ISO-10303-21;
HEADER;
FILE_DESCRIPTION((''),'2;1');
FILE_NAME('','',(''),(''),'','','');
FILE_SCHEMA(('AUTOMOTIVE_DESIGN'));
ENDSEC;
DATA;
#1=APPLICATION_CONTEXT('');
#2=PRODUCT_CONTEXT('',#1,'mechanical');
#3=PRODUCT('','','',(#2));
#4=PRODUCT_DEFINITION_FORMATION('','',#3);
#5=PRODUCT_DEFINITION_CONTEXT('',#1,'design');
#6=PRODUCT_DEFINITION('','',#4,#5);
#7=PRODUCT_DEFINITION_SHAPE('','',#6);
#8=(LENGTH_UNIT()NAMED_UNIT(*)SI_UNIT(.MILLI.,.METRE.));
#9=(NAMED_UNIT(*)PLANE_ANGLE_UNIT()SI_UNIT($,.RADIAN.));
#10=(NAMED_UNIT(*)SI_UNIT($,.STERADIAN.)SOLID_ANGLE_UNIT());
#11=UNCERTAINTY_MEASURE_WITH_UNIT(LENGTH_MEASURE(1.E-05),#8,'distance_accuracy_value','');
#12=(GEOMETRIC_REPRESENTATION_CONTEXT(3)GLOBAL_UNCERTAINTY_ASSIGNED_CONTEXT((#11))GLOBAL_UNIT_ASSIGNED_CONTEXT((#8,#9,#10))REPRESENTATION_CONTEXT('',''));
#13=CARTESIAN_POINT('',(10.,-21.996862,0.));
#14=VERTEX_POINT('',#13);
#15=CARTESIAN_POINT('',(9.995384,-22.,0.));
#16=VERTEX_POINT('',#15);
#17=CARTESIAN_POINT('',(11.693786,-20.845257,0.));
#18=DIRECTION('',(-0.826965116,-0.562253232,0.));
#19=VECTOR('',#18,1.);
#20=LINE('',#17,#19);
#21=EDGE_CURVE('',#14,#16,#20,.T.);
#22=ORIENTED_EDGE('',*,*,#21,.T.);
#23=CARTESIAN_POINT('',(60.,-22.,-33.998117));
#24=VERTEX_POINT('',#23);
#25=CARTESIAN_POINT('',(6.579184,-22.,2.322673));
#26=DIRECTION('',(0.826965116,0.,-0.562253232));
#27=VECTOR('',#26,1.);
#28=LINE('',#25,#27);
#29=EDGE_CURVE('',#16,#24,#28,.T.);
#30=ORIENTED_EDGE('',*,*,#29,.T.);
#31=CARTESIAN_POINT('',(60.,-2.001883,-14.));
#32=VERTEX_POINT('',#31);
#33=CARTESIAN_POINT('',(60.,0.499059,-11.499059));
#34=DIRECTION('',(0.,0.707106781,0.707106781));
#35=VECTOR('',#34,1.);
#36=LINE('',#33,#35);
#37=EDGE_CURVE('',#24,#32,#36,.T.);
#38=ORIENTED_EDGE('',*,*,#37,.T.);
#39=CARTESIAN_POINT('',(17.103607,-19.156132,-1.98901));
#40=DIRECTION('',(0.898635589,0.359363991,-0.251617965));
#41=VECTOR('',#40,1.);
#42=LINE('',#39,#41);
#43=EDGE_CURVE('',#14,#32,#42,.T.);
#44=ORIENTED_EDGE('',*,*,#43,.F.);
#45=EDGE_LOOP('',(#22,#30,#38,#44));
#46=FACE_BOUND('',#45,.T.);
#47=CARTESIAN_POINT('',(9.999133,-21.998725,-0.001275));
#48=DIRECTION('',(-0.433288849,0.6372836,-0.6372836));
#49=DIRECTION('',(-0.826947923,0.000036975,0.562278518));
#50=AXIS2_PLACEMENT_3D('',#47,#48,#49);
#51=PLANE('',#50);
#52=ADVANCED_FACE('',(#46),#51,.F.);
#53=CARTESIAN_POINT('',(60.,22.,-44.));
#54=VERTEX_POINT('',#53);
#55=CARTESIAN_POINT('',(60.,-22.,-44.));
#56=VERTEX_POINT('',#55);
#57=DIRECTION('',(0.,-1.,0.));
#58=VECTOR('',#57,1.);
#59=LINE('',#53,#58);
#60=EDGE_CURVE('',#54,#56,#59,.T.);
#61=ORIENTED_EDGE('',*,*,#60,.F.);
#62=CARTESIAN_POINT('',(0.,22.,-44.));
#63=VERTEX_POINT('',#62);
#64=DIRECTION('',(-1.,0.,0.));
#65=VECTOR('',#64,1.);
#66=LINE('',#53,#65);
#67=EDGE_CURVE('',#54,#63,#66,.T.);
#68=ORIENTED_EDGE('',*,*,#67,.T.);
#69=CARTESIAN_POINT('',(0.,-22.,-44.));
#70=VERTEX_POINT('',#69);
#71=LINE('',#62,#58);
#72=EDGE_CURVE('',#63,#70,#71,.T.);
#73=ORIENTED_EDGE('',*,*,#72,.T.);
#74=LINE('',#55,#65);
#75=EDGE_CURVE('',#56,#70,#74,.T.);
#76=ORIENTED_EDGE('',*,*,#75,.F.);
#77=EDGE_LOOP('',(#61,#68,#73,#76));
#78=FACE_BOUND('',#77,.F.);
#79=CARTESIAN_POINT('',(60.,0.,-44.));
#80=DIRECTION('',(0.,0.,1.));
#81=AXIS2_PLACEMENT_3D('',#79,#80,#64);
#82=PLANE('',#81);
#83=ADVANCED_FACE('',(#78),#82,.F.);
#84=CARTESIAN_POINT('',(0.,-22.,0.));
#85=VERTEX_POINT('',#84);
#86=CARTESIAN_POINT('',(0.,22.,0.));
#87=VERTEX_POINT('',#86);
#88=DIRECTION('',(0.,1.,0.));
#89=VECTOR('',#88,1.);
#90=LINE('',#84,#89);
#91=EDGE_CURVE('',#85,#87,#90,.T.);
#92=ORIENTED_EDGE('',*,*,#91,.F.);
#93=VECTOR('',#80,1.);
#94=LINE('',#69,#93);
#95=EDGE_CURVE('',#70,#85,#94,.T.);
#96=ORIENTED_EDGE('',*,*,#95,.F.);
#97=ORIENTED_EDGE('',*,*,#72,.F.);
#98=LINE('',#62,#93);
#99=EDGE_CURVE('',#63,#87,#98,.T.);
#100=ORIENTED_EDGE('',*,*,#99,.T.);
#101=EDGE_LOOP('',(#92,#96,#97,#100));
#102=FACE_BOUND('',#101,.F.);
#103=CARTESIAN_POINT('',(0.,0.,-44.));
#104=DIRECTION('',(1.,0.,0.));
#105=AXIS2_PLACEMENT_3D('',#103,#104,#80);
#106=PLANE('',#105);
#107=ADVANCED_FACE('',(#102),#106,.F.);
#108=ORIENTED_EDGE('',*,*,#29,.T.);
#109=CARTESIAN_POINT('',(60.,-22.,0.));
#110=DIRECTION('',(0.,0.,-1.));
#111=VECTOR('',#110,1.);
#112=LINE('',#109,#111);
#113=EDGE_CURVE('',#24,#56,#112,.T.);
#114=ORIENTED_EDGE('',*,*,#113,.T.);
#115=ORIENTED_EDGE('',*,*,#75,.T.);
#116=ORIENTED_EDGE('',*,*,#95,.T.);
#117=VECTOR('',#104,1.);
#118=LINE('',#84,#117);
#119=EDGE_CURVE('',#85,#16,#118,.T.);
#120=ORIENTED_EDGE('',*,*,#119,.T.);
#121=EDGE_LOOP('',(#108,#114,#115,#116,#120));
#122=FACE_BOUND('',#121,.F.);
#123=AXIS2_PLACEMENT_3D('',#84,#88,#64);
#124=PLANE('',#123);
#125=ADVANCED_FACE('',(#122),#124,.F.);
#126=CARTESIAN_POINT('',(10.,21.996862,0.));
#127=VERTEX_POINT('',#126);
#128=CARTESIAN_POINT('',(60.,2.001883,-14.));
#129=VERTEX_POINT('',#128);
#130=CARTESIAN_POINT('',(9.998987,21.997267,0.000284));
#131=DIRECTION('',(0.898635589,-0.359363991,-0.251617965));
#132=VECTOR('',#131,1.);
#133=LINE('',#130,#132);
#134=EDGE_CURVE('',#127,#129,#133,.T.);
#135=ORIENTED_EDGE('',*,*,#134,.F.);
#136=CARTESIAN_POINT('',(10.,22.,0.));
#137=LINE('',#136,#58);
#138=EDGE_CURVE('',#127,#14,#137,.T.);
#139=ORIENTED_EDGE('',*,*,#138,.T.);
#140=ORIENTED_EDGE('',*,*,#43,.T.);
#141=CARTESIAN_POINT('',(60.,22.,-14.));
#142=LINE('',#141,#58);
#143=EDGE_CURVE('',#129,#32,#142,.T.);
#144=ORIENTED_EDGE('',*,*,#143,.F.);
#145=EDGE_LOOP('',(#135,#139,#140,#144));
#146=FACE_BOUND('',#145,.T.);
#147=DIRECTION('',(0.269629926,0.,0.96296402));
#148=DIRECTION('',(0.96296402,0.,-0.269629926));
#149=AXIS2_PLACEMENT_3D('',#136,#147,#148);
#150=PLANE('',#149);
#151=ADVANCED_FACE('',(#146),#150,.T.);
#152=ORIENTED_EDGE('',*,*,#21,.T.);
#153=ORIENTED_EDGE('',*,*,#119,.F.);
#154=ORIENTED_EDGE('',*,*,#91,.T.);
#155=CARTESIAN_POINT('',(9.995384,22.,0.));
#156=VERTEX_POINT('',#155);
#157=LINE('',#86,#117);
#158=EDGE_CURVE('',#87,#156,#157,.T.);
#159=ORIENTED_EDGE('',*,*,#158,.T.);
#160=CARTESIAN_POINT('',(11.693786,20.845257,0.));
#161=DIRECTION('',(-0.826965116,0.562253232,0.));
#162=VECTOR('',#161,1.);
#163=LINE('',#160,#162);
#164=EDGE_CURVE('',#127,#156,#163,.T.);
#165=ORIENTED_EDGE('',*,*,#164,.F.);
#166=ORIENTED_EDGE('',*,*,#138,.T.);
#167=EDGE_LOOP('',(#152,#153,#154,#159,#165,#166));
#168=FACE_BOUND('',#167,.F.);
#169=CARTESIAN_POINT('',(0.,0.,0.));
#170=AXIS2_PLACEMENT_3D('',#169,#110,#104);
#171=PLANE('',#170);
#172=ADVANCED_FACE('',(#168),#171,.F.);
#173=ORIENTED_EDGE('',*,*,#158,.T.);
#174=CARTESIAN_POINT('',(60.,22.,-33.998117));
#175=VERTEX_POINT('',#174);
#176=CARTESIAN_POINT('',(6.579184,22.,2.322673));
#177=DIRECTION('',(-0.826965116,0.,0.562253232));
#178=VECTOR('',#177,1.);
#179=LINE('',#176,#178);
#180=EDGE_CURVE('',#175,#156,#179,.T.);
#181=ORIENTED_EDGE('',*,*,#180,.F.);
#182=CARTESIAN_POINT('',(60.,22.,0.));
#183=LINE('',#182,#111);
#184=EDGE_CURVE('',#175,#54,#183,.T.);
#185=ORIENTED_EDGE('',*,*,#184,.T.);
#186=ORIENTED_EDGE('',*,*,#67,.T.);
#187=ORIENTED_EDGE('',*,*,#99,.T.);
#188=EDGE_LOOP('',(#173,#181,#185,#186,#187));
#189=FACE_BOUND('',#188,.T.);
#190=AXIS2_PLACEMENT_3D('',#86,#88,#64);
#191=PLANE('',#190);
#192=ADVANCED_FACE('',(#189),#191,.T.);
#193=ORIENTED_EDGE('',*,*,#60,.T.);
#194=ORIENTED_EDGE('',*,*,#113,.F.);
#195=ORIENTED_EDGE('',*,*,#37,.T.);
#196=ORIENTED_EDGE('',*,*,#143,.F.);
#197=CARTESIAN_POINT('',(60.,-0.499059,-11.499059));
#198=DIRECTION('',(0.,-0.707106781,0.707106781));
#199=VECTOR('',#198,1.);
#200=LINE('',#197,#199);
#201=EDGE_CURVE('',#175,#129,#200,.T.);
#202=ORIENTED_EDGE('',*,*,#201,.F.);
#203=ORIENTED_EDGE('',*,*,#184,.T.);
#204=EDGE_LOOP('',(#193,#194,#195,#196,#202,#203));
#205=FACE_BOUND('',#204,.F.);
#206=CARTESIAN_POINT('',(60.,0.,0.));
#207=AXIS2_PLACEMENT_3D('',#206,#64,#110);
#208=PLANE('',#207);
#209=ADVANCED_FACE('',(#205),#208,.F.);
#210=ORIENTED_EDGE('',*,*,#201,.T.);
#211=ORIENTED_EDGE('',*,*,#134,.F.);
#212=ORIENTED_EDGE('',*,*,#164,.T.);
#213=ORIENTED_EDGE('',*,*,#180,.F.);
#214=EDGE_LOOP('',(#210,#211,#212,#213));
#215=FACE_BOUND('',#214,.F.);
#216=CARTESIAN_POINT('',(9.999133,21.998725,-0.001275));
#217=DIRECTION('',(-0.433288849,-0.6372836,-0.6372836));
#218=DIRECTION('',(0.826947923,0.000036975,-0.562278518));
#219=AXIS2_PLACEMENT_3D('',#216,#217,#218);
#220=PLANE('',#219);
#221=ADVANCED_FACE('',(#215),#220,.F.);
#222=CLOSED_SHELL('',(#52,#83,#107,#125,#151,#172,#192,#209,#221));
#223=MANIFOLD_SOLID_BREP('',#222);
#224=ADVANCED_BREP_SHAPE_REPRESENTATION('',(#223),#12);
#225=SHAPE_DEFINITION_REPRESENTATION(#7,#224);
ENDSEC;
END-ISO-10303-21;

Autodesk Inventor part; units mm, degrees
ref_plane "YZ Plane" through (0, 0, 0) normal (1, 0, 0) x (0, 1, 0)
ref_plane "XZ Plane" through (0, 0, 0) normal (0, 1, 0) x (-1, 0, 0)
sketch "草圖1" plane through (0, 0, 0) normal (0, 1, 0) x (-1, 0, 0)
  line L0 (0, 0) -> (-60, 0)
  line L1 (-60, 0) -> (-60, -44)
  line L2 (-60, -44) -> (0, -44)
  line L3 (0, -44) -> (0, 0)
  dimension "d0" = 60
  dimension "d1" = 44
extrude "擠出1" add sketch "草圖1" along normal mid plane 44
sketch "草圖2" plane through (0, 22, 0) normal (0, 1, 0) x (1, 0, 0)
  line L0 (0, 0) -> (60, 0) projected
  line L1 (10, 0) -> (60, 14)
  line L2 (60, 0) -> (60, 44) projected
  dimension "d4" = 10
  dimension "d5" = 30
extrude "擠出2" cut sketch "草圖2" against normal blind 60
sketch "草圖3" plane through (60, -22, -44) normal (1, 0, 0) x (0, 0, -1)
  line L0 (-30, 24) -> (-10, 44)
  line L1 (0, 44) -> (-44, 44) projected
  line L2 (-30, 44) -> (-30, 0) projected
  point P0 (-44, 22)
  point P1 (-30, 2)
  dimension "d8" = 20
  dimension "d9" = 20
ref_plane "工作平面1" through (10, 22, 0) normal (-0.4333, -0.6373, -0.6373) x (0.8269, 0, -0.5623)
sketch "草圖4" plane through (10, 22, 0) normal (-0.4333, -0.6373, -0.6373) x (0.8269, 0, -0.5623)
  line L0 (-15.1543, -12.3218) -> (93.717, -12.3218)
  line L1 (93.717, -12.3218) -> (93.717, 28.8166)
  line L2 (93.717, 28.8166) -> (-15.1543, 28.8166)
  line L3 (-15.1543, 28.8166) -> (-15.1543, -12.3218)
  point P0 (-8.2693, 13.3708)
extrude "擠出3" cut sketch "草圖4" against normal blind 40
mirror "鏡射1" about plane through (0, 0, 0) normal (0, 1, 0) of "擠出3"
properties part number "63"
